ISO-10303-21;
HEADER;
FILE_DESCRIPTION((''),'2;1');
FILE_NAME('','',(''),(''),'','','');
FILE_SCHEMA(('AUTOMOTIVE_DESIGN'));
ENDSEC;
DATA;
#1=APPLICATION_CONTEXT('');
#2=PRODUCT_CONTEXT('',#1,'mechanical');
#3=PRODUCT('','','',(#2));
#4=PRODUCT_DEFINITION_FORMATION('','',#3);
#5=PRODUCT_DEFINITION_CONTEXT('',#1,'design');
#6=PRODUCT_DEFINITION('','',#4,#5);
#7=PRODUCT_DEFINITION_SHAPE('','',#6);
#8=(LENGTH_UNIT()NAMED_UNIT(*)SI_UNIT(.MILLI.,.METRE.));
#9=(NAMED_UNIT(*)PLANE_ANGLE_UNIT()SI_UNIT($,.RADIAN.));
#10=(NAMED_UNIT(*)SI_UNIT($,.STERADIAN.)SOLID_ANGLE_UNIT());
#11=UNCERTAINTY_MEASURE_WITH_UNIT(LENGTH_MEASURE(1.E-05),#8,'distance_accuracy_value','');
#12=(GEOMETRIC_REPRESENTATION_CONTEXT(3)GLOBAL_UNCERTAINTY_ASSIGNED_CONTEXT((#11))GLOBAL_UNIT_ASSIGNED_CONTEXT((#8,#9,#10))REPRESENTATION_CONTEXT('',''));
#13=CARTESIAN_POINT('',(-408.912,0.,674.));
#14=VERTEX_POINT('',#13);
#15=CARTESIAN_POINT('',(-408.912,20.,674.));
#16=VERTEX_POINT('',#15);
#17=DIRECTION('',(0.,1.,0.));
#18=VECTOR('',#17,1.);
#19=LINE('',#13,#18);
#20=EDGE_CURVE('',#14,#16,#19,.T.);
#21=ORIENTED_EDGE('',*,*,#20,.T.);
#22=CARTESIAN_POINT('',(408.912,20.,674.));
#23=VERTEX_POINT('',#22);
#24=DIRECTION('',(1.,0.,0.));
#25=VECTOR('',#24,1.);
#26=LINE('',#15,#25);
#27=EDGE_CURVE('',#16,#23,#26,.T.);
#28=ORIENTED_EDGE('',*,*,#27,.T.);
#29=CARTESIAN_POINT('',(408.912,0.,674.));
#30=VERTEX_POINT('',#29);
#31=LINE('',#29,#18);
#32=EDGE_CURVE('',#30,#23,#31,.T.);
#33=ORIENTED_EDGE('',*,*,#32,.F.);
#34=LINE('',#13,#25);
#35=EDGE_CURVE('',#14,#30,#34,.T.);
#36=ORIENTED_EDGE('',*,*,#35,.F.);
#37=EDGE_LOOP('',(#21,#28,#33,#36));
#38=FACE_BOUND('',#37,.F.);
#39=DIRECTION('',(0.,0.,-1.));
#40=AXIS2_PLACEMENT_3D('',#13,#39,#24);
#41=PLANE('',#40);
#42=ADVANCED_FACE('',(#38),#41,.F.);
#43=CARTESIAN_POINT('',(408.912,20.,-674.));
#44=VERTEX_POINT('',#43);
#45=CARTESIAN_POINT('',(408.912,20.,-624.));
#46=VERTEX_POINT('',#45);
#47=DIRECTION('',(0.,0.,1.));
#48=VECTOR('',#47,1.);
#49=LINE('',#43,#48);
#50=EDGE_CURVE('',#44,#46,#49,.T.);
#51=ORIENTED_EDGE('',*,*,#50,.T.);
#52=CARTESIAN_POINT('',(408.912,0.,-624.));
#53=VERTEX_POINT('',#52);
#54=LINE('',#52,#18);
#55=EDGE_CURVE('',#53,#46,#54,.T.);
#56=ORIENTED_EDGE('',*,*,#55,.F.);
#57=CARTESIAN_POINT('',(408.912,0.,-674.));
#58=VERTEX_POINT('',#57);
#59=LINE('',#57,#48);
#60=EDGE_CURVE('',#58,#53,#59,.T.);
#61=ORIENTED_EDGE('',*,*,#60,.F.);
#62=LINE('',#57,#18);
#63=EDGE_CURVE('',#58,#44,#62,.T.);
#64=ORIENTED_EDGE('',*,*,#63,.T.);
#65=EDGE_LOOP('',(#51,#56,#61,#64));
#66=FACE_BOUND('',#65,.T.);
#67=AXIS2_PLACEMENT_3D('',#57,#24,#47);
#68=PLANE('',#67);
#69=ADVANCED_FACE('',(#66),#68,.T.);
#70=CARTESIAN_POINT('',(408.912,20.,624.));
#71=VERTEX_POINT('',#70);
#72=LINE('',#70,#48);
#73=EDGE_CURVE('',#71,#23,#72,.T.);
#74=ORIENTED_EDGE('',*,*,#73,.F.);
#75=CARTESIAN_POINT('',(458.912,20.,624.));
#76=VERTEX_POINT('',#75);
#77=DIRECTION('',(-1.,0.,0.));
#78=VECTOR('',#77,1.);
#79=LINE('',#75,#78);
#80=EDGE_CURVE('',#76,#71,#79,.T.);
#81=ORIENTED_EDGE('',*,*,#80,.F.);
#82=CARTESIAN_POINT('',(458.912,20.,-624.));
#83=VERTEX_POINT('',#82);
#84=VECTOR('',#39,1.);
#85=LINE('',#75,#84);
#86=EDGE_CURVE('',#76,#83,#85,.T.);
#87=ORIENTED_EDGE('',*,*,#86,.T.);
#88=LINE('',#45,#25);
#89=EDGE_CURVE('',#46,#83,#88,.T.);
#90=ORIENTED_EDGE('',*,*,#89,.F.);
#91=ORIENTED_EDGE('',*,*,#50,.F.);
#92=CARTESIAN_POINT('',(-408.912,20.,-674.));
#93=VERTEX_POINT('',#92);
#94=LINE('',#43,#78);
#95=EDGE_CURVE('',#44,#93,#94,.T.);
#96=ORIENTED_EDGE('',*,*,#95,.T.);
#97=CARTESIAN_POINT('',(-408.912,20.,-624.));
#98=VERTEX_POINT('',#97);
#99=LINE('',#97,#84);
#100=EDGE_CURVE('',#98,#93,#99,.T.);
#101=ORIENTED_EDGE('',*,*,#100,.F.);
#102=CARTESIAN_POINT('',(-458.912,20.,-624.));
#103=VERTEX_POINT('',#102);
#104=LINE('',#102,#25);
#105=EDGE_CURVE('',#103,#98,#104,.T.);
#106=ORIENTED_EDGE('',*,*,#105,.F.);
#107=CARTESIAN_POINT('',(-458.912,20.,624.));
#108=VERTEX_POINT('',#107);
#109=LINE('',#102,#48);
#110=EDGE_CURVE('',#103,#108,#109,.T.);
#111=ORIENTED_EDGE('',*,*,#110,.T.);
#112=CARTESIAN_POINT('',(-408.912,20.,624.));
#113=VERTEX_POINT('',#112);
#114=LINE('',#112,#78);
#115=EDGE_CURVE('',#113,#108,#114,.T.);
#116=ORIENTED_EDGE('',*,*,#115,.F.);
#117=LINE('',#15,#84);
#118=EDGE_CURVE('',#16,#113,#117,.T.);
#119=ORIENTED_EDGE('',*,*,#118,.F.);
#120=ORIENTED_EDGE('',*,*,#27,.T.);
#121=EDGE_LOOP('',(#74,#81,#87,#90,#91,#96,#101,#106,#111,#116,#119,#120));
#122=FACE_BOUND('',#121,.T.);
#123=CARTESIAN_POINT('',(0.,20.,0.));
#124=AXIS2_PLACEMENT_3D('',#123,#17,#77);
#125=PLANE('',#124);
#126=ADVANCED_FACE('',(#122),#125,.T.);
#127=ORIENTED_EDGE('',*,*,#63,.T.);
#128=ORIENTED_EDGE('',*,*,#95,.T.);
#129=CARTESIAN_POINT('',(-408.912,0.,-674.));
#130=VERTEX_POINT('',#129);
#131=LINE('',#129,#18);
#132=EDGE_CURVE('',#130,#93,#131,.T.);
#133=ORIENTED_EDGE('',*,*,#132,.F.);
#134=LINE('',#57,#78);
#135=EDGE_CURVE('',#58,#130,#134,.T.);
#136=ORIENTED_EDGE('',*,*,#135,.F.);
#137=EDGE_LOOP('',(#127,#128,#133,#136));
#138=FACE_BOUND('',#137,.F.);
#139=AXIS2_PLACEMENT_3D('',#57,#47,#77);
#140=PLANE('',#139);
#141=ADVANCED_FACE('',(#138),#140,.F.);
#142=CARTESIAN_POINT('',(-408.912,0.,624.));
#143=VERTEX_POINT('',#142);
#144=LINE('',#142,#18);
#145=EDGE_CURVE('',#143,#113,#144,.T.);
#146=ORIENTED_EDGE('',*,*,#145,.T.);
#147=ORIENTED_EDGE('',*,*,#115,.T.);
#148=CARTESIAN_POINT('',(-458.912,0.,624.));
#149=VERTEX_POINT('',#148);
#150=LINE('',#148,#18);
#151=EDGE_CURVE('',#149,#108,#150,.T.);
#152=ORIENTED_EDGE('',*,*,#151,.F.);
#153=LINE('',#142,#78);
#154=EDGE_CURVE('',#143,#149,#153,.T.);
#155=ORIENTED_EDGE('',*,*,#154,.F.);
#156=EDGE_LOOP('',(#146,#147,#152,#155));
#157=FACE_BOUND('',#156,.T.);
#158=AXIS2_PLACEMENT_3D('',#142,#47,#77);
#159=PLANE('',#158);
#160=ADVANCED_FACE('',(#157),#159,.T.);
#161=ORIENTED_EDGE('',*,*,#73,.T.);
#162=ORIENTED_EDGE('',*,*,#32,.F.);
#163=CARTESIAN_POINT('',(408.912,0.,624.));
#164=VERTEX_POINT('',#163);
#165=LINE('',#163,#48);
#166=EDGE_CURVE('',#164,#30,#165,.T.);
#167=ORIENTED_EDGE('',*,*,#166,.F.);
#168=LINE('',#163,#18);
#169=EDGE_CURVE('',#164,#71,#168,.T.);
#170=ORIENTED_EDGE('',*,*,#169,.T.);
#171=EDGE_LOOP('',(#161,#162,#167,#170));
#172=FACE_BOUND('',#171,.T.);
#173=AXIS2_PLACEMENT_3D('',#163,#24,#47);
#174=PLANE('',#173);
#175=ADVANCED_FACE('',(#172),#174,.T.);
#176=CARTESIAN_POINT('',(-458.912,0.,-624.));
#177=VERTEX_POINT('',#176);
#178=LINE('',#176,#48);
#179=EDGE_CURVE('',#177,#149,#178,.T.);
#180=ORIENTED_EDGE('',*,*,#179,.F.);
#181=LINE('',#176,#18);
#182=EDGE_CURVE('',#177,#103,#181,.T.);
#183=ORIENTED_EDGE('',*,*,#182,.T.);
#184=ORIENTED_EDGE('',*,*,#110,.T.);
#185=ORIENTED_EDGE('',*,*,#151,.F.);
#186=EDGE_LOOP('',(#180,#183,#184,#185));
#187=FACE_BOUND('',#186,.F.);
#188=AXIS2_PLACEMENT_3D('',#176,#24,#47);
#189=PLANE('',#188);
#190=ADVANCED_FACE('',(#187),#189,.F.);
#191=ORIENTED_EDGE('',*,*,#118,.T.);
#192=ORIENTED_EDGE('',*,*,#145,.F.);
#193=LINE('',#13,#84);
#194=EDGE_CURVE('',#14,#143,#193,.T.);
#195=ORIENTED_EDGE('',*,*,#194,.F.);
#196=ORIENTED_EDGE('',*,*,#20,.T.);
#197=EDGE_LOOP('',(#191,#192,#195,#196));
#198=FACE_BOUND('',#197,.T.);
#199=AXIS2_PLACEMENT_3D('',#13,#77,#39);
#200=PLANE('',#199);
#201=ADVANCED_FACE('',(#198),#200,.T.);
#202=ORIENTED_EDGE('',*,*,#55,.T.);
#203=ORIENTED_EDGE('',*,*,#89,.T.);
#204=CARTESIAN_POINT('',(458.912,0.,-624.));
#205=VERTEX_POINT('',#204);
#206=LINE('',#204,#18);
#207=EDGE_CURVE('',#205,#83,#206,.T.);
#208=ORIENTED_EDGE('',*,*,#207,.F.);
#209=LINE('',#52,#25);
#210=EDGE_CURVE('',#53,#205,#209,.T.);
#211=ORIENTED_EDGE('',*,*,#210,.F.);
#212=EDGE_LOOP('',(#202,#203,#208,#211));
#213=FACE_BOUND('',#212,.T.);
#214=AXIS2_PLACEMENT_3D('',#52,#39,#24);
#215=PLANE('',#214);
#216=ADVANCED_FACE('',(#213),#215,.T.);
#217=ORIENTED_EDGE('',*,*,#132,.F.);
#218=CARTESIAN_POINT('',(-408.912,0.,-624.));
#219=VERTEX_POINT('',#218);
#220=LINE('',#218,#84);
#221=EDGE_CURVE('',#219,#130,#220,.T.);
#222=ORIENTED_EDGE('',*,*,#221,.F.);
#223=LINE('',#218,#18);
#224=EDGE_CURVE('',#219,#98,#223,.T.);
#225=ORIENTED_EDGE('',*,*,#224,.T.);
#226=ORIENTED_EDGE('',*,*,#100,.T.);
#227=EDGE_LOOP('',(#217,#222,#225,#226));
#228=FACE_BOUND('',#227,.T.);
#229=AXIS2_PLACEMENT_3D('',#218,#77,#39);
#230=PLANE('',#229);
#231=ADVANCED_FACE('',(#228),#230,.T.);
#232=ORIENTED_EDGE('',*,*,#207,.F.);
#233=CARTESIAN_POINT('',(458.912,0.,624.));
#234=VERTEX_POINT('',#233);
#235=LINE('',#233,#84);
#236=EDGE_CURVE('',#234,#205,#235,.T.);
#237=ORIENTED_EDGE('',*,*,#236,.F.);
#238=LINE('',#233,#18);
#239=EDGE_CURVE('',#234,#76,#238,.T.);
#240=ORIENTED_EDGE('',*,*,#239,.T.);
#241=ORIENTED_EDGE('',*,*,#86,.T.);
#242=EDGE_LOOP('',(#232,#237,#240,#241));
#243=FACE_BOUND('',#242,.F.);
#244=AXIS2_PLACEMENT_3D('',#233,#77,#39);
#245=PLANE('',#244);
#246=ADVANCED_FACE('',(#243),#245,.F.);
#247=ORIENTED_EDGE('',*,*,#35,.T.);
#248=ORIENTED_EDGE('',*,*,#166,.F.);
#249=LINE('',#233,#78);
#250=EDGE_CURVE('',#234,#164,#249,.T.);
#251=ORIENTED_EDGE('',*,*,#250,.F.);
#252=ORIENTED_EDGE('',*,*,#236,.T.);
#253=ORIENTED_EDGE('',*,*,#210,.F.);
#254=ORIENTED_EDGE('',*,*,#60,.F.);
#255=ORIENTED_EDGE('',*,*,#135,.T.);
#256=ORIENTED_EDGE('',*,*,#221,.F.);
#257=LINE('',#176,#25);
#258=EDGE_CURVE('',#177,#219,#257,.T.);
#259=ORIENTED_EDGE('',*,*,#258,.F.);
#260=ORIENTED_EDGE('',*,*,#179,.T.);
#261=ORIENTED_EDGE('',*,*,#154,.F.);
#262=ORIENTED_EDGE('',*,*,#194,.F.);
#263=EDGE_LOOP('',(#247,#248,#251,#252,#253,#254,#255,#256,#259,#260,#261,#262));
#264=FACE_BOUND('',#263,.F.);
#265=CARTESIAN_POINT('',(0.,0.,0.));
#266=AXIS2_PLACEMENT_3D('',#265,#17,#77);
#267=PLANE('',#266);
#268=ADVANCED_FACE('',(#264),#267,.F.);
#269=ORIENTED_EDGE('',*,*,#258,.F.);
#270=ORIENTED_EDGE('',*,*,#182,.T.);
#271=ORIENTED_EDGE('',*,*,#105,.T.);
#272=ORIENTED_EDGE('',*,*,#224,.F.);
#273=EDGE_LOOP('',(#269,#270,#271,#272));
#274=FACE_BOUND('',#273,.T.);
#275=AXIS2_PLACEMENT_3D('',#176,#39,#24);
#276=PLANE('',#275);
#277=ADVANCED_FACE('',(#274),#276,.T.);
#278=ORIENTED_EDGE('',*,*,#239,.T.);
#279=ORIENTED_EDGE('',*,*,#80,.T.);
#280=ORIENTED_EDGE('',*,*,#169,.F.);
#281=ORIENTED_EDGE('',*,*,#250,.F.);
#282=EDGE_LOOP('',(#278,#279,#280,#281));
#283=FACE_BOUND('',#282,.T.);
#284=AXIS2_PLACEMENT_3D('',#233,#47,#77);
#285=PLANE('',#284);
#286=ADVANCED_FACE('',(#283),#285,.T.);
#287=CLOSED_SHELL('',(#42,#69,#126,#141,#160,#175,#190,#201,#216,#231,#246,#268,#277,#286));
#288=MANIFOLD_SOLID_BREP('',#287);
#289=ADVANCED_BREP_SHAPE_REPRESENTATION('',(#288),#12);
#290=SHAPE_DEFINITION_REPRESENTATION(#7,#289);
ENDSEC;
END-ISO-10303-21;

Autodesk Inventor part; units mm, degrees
ref_plane "YZ Plane" through (0, 0, 0) normal (1, 0, 0) x (0, 1, 0)
ref_plane "XZ Plane" through (0, 0, 0) normal (0, 1, 0) x (-1, 0, 0)
ref_plane "XY Plane" through (0, 0, 0) normal (0, 0, 1) x (1, 0, 0)
sketch "Sketch1" plane through (0, 0, 0) normal (0, 1, 0) x (-1, 0, 0)
  line L0 (408.912, 674) -> (-408.912, 674)
  line L1 (-458.912, 624) -> (-458.912, -624)
  line L2 (-408.912, -674) -> (408.912, -674)
  line L3 (458.912, -624) -> (458.912, 624)
  line L4 (458.912, 674) -> (-458.912, -674) construction
  line L5 (408.912, 674) -> (408.912, 624)
  line L6 (408.912, 624) -> (458.912, 624)
  line L7 (458.912, 674) -> (408.912, 624) construction
  line L8 (408.912, 674) -> (458.912, 624) construction
  line L9 (-458.912, 624) -> (-408.912, 624)
  line L10 (-408.912, 624) -> (-408.912, 674)
  line L11 (-408.912, 674) -> (-458.912, 624) construction
  line L12 (-458.912, 674) -> (-408.912, 624) construction
  line L13 (458.912, -624) -> (408.912, -624)
  line L14 (408.912, -624) -> (408.912, -674)
  line L15 (458.912, -624) -> (408.912, -674) construction
  line L16 (408.912, -624) -> (458.912, -674) construction
  line L17 (-408.912, -624) -> (-458.912, -624)
  line L18 (-408.912, -674) -> (-408.912, -624)
  line L19 (-408.912, -624) -> (-458.912, -674) construction
  line L20 (-458.912, -624) -> (-408.912, -674) construction
  point P0 (0, 0)
  point P1 (433.912, 649)
  point P2 (-433.912, 649)
  point P3 (433.912, -649)
  point P4 (-433.912, -649)
extrude "Extrusion1" add sketch "Sketch1" along normal blind 20
properties part number "tub floor 3"
